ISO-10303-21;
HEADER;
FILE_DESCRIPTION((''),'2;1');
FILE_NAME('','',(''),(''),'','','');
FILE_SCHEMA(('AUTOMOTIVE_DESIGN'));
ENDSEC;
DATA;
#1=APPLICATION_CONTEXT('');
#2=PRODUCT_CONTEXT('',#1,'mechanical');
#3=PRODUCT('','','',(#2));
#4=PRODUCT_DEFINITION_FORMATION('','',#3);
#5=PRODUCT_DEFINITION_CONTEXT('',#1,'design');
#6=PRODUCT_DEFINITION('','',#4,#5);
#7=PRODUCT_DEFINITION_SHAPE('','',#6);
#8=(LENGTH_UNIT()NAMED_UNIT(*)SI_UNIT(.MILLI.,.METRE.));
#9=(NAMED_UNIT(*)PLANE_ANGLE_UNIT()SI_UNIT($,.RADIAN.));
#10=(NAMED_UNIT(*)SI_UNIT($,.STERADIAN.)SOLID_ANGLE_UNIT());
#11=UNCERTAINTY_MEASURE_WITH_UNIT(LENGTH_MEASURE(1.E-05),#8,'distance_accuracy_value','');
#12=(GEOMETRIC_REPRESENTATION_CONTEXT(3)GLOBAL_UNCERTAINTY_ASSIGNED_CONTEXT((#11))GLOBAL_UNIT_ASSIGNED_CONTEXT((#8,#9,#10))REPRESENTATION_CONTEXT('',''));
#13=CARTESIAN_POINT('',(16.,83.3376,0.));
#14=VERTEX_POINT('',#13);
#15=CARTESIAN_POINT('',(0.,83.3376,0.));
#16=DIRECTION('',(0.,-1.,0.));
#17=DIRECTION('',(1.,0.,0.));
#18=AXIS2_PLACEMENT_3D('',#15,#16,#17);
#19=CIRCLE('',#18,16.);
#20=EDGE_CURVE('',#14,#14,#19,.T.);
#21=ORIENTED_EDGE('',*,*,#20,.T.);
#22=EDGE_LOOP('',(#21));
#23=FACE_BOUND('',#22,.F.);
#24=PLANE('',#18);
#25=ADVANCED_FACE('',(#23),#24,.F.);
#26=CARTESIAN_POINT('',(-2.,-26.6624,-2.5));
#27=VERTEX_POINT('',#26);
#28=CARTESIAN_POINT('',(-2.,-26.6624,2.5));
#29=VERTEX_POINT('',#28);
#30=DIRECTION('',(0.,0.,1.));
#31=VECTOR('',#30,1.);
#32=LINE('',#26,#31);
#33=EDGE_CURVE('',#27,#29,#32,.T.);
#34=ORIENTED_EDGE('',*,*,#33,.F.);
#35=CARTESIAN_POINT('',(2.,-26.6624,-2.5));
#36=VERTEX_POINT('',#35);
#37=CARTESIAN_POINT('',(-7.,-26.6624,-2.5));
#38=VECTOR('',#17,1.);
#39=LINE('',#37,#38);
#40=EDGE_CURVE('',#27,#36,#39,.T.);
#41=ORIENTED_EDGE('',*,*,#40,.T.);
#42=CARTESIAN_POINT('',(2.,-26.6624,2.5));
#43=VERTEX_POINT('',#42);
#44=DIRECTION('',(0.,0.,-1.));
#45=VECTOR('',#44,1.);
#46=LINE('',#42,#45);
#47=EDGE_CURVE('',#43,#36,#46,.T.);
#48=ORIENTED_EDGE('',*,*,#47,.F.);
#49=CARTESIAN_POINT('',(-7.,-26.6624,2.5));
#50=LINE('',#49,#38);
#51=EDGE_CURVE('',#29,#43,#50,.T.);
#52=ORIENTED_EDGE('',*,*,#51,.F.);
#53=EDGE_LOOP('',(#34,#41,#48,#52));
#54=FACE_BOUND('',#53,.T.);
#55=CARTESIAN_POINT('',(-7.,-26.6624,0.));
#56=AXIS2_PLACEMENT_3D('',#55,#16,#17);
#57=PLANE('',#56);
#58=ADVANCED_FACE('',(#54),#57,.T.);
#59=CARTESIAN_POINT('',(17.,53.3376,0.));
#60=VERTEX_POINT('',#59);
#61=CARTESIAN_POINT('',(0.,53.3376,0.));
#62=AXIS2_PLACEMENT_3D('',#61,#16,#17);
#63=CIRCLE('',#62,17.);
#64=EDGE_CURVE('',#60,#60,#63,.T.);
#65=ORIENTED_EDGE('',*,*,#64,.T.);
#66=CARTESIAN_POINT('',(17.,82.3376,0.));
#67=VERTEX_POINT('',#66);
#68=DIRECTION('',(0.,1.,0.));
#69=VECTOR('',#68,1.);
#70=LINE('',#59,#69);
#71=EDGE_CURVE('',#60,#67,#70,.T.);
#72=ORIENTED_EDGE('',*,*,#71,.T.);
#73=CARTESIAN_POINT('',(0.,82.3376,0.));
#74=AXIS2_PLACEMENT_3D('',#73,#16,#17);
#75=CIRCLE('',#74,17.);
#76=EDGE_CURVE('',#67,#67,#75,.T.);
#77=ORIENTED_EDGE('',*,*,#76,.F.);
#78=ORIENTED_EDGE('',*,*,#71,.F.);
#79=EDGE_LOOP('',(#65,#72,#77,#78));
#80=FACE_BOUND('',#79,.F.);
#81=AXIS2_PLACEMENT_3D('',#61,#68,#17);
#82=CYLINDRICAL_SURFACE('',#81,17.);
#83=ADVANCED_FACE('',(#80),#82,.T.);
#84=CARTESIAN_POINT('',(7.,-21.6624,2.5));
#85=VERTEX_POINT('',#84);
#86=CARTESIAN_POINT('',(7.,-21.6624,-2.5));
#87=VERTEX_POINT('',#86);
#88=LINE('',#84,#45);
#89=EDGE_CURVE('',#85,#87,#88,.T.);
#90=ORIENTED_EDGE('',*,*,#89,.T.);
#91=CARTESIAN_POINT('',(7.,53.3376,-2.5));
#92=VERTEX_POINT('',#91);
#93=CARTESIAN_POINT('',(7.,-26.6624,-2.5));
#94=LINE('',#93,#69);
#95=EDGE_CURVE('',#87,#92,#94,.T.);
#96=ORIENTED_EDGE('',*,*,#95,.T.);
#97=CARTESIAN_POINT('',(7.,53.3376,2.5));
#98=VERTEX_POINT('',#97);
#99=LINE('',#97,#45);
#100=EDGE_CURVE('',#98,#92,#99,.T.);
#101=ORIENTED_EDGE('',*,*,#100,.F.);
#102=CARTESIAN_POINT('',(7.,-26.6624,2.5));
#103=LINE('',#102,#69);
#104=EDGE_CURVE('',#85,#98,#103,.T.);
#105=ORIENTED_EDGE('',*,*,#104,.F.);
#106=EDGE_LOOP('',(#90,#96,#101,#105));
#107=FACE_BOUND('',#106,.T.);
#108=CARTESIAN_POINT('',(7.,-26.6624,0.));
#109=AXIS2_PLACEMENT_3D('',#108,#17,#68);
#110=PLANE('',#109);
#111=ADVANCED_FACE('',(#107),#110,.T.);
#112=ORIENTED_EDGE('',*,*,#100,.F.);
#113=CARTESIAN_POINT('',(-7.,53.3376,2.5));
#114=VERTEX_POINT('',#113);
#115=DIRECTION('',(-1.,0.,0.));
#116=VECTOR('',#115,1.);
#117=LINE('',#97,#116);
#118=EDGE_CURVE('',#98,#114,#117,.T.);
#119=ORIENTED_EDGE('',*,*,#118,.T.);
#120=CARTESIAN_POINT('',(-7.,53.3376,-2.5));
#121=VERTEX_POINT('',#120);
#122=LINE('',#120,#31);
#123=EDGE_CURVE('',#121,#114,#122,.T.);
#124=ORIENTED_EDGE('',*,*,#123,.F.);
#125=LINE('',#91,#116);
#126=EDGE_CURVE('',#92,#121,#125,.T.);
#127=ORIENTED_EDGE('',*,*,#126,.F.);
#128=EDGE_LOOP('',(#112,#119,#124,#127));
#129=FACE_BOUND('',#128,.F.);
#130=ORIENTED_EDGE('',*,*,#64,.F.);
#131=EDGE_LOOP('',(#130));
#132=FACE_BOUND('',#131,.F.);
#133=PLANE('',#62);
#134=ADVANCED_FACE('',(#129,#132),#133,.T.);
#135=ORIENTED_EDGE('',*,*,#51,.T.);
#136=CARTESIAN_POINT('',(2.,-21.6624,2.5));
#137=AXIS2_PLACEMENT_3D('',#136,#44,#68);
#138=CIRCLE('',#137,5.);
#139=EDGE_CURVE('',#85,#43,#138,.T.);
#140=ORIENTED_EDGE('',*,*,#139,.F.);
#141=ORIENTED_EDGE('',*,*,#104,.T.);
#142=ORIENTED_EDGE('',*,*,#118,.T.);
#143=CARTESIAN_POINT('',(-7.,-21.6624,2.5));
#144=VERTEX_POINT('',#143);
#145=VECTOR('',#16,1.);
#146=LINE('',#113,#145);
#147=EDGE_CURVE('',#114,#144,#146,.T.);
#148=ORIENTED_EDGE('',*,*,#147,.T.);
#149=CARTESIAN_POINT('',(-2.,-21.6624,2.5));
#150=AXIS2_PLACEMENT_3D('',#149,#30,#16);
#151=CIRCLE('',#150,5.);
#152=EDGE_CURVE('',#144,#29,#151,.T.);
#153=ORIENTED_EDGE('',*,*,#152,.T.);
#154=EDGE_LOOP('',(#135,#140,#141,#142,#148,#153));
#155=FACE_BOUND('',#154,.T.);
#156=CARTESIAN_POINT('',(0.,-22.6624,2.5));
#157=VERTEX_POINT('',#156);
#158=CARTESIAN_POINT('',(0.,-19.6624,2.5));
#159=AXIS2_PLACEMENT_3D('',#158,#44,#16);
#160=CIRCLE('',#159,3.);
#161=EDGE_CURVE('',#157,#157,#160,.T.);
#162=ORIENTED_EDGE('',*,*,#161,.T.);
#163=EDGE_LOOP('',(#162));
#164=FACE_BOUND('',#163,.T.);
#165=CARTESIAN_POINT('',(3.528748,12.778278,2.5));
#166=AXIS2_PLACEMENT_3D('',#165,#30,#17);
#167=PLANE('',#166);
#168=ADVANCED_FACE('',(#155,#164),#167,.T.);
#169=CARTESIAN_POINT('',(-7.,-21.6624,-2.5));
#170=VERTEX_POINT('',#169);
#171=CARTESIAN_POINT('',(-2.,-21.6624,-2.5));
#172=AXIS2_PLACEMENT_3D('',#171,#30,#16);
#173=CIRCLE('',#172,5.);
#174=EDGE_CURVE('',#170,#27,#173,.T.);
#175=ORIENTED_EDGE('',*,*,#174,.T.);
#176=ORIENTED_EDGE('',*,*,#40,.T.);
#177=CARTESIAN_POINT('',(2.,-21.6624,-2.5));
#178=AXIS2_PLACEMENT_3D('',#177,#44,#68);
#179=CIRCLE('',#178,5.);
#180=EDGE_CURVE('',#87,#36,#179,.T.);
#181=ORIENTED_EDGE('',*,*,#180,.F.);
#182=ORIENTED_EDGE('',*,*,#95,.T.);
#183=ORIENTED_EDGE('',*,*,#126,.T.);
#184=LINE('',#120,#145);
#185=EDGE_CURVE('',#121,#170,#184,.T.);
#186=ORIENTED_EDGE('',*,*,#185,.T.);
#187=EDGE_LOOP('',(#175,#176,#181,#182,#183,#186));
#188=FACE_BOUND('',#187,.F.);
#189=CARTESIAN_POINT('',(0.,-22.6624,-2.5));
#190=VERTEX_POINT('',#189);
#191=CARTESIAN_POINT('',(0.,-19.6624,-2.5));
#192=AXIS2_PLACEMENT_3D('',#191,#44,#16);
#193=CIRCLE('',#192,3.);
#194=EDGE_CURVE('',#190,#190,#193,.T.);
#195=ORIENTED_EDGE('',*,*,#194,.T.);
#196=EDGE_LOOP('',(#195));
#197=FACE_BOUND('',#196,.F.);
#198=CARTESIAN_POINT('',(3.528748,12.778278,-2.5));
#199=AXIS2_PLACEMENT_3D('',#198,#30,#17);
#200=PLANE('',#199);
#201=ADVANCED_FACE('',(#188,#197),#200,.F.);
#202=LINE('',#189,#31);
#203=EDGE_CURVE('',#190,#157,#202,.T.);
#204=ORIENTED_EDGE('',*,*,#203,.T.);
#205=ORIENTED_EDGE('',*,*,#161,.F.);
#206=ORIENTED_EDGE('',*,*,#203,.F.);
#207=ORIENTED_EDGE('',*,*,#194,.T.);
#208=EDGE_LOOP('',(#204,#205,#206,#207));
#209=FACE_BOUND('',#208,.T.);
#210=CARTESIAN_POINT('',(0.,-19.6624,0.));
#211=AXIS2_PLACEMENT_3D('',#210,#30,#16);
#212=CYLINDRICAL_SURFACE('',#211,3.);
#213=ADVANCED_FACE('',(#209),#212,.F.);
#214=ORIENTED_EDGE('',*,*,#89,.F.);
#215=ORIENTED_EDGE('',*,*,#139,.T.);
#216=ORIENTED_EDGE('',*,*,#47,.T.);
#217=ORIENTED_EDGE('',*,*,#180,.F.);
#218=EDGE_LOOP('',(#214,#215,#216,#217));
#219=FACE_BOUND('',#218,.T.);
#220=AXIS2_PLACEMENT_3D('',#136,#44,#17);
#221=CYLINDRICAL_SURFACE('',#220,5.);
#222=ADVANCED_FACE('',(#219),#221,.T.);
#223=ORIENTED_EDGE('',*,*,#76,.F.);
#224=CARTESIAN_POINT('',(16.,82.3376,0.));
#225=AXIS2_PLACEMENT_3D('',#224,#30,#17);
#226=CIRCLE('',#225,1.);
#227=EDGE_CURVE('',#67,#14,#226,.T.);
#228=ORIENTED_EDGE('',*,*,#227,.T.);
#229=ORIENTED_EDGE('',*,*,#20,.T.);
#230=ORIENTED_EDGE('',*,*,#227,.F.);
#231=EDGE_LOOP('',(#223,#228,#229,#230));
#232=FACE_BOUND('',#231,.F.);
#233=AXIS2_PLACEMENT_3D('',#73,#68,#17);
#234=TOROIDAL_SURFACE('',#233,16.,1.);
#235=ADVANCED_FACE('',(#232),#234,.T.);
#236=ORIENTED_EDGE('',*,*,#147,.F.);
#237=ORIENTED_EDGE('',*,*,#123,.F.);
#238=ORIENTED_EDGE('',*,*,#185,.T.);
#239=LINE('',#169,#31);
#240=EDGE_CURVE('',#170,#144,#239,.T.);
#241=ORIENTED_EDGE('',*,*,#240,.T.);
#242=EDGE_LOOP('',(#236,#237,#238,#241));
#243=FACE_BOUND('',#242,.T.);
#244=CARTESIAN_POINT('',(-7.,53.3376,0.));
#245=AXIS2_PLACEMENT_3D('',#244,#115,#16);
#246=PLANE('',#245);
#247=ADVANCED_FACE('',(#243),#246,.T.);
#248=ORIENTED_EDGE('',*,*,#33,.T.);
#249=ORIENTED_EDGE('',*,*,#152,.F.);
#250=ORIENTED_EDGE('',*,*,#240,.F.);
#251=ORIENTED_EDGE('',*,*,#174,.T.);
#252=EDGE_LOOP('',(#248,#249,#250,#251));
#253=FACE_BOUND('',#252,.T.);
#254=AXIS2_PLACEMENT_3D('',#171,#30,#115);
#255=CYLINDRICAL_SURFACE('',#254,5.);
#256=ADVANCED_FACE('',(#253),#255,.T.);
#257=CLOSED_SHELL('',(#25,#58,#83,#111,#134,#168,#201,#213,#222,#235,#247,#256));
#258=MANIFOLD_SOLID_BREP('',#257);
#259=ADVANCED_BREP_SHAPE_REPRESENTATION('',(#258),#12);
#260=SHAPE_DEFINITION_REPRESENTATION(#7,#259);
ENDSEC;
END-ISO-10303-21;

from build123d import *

# Parameters (mm, degrees)
F2_DEPTH = 2.5
F3_R     = 5
F4_R     = 1


with BuildPart() as f1:
    # F0 (on Top) → F1 (revolve)
    with BuildSketch(Plane.XY):
        Polygon((17, 83.3376), (0, 83.3376), (0, 53.3376), (7, 53.3376), (17, 53.3376), align=None)
    revolve(axis=Axis((0, 2.958108, 0), (0, -1, 0)))

    # F0 (on Top) → F2 (join, symmetric)
    with BuildSketch(Plane.XY):
        with BuildLine():
            Line((7, 53.3376), (0, 53.3376))
            Line((0, 53.3376), (0, -16.6624))
            ThreePointArc((0, -16.6624), (3, -19.6624), (0, -22.6624))
            Line((0, -22.6624), (0, -26.6624))
            Line((0, -26.6624), (7, -26.6624))
            Line((7, -26.6624), (7, 53.3376))
        make_face()
        with BuildLine():
            Line((0, -16.6624), (0, 53.3376))
            Line((0, 53.3376), (-7, 53.3376))
            Line((-7, 53.3376), (-7, -26.6624))
            Line((-7, -26.6624), (0, -26.6624))
            Line((0, -26.6624), (0, -22.6624))
            ThreePointArc((0, -22.6624), (-3, -19.6624), (0, -16.6624))
        make_face()
    extrude(amount=F2_DEPTH, both=True)

    # F3
    f3_edges = [f1.edges().sort_by_distance(p)[0] for p in [
        (7, -26.6624, 0),
        (-7, -26.6624, 0),
    ]]
    fillet(f3_edges, radius=F3_R)

    # F4
    f4_edges = [f1.edges().sort_by_distance(p)[0] for p in [
        (-17, 83.3376, 0),
    ]]
    fillet(f4_edges, radius=F4_R)


solid = f1.part
